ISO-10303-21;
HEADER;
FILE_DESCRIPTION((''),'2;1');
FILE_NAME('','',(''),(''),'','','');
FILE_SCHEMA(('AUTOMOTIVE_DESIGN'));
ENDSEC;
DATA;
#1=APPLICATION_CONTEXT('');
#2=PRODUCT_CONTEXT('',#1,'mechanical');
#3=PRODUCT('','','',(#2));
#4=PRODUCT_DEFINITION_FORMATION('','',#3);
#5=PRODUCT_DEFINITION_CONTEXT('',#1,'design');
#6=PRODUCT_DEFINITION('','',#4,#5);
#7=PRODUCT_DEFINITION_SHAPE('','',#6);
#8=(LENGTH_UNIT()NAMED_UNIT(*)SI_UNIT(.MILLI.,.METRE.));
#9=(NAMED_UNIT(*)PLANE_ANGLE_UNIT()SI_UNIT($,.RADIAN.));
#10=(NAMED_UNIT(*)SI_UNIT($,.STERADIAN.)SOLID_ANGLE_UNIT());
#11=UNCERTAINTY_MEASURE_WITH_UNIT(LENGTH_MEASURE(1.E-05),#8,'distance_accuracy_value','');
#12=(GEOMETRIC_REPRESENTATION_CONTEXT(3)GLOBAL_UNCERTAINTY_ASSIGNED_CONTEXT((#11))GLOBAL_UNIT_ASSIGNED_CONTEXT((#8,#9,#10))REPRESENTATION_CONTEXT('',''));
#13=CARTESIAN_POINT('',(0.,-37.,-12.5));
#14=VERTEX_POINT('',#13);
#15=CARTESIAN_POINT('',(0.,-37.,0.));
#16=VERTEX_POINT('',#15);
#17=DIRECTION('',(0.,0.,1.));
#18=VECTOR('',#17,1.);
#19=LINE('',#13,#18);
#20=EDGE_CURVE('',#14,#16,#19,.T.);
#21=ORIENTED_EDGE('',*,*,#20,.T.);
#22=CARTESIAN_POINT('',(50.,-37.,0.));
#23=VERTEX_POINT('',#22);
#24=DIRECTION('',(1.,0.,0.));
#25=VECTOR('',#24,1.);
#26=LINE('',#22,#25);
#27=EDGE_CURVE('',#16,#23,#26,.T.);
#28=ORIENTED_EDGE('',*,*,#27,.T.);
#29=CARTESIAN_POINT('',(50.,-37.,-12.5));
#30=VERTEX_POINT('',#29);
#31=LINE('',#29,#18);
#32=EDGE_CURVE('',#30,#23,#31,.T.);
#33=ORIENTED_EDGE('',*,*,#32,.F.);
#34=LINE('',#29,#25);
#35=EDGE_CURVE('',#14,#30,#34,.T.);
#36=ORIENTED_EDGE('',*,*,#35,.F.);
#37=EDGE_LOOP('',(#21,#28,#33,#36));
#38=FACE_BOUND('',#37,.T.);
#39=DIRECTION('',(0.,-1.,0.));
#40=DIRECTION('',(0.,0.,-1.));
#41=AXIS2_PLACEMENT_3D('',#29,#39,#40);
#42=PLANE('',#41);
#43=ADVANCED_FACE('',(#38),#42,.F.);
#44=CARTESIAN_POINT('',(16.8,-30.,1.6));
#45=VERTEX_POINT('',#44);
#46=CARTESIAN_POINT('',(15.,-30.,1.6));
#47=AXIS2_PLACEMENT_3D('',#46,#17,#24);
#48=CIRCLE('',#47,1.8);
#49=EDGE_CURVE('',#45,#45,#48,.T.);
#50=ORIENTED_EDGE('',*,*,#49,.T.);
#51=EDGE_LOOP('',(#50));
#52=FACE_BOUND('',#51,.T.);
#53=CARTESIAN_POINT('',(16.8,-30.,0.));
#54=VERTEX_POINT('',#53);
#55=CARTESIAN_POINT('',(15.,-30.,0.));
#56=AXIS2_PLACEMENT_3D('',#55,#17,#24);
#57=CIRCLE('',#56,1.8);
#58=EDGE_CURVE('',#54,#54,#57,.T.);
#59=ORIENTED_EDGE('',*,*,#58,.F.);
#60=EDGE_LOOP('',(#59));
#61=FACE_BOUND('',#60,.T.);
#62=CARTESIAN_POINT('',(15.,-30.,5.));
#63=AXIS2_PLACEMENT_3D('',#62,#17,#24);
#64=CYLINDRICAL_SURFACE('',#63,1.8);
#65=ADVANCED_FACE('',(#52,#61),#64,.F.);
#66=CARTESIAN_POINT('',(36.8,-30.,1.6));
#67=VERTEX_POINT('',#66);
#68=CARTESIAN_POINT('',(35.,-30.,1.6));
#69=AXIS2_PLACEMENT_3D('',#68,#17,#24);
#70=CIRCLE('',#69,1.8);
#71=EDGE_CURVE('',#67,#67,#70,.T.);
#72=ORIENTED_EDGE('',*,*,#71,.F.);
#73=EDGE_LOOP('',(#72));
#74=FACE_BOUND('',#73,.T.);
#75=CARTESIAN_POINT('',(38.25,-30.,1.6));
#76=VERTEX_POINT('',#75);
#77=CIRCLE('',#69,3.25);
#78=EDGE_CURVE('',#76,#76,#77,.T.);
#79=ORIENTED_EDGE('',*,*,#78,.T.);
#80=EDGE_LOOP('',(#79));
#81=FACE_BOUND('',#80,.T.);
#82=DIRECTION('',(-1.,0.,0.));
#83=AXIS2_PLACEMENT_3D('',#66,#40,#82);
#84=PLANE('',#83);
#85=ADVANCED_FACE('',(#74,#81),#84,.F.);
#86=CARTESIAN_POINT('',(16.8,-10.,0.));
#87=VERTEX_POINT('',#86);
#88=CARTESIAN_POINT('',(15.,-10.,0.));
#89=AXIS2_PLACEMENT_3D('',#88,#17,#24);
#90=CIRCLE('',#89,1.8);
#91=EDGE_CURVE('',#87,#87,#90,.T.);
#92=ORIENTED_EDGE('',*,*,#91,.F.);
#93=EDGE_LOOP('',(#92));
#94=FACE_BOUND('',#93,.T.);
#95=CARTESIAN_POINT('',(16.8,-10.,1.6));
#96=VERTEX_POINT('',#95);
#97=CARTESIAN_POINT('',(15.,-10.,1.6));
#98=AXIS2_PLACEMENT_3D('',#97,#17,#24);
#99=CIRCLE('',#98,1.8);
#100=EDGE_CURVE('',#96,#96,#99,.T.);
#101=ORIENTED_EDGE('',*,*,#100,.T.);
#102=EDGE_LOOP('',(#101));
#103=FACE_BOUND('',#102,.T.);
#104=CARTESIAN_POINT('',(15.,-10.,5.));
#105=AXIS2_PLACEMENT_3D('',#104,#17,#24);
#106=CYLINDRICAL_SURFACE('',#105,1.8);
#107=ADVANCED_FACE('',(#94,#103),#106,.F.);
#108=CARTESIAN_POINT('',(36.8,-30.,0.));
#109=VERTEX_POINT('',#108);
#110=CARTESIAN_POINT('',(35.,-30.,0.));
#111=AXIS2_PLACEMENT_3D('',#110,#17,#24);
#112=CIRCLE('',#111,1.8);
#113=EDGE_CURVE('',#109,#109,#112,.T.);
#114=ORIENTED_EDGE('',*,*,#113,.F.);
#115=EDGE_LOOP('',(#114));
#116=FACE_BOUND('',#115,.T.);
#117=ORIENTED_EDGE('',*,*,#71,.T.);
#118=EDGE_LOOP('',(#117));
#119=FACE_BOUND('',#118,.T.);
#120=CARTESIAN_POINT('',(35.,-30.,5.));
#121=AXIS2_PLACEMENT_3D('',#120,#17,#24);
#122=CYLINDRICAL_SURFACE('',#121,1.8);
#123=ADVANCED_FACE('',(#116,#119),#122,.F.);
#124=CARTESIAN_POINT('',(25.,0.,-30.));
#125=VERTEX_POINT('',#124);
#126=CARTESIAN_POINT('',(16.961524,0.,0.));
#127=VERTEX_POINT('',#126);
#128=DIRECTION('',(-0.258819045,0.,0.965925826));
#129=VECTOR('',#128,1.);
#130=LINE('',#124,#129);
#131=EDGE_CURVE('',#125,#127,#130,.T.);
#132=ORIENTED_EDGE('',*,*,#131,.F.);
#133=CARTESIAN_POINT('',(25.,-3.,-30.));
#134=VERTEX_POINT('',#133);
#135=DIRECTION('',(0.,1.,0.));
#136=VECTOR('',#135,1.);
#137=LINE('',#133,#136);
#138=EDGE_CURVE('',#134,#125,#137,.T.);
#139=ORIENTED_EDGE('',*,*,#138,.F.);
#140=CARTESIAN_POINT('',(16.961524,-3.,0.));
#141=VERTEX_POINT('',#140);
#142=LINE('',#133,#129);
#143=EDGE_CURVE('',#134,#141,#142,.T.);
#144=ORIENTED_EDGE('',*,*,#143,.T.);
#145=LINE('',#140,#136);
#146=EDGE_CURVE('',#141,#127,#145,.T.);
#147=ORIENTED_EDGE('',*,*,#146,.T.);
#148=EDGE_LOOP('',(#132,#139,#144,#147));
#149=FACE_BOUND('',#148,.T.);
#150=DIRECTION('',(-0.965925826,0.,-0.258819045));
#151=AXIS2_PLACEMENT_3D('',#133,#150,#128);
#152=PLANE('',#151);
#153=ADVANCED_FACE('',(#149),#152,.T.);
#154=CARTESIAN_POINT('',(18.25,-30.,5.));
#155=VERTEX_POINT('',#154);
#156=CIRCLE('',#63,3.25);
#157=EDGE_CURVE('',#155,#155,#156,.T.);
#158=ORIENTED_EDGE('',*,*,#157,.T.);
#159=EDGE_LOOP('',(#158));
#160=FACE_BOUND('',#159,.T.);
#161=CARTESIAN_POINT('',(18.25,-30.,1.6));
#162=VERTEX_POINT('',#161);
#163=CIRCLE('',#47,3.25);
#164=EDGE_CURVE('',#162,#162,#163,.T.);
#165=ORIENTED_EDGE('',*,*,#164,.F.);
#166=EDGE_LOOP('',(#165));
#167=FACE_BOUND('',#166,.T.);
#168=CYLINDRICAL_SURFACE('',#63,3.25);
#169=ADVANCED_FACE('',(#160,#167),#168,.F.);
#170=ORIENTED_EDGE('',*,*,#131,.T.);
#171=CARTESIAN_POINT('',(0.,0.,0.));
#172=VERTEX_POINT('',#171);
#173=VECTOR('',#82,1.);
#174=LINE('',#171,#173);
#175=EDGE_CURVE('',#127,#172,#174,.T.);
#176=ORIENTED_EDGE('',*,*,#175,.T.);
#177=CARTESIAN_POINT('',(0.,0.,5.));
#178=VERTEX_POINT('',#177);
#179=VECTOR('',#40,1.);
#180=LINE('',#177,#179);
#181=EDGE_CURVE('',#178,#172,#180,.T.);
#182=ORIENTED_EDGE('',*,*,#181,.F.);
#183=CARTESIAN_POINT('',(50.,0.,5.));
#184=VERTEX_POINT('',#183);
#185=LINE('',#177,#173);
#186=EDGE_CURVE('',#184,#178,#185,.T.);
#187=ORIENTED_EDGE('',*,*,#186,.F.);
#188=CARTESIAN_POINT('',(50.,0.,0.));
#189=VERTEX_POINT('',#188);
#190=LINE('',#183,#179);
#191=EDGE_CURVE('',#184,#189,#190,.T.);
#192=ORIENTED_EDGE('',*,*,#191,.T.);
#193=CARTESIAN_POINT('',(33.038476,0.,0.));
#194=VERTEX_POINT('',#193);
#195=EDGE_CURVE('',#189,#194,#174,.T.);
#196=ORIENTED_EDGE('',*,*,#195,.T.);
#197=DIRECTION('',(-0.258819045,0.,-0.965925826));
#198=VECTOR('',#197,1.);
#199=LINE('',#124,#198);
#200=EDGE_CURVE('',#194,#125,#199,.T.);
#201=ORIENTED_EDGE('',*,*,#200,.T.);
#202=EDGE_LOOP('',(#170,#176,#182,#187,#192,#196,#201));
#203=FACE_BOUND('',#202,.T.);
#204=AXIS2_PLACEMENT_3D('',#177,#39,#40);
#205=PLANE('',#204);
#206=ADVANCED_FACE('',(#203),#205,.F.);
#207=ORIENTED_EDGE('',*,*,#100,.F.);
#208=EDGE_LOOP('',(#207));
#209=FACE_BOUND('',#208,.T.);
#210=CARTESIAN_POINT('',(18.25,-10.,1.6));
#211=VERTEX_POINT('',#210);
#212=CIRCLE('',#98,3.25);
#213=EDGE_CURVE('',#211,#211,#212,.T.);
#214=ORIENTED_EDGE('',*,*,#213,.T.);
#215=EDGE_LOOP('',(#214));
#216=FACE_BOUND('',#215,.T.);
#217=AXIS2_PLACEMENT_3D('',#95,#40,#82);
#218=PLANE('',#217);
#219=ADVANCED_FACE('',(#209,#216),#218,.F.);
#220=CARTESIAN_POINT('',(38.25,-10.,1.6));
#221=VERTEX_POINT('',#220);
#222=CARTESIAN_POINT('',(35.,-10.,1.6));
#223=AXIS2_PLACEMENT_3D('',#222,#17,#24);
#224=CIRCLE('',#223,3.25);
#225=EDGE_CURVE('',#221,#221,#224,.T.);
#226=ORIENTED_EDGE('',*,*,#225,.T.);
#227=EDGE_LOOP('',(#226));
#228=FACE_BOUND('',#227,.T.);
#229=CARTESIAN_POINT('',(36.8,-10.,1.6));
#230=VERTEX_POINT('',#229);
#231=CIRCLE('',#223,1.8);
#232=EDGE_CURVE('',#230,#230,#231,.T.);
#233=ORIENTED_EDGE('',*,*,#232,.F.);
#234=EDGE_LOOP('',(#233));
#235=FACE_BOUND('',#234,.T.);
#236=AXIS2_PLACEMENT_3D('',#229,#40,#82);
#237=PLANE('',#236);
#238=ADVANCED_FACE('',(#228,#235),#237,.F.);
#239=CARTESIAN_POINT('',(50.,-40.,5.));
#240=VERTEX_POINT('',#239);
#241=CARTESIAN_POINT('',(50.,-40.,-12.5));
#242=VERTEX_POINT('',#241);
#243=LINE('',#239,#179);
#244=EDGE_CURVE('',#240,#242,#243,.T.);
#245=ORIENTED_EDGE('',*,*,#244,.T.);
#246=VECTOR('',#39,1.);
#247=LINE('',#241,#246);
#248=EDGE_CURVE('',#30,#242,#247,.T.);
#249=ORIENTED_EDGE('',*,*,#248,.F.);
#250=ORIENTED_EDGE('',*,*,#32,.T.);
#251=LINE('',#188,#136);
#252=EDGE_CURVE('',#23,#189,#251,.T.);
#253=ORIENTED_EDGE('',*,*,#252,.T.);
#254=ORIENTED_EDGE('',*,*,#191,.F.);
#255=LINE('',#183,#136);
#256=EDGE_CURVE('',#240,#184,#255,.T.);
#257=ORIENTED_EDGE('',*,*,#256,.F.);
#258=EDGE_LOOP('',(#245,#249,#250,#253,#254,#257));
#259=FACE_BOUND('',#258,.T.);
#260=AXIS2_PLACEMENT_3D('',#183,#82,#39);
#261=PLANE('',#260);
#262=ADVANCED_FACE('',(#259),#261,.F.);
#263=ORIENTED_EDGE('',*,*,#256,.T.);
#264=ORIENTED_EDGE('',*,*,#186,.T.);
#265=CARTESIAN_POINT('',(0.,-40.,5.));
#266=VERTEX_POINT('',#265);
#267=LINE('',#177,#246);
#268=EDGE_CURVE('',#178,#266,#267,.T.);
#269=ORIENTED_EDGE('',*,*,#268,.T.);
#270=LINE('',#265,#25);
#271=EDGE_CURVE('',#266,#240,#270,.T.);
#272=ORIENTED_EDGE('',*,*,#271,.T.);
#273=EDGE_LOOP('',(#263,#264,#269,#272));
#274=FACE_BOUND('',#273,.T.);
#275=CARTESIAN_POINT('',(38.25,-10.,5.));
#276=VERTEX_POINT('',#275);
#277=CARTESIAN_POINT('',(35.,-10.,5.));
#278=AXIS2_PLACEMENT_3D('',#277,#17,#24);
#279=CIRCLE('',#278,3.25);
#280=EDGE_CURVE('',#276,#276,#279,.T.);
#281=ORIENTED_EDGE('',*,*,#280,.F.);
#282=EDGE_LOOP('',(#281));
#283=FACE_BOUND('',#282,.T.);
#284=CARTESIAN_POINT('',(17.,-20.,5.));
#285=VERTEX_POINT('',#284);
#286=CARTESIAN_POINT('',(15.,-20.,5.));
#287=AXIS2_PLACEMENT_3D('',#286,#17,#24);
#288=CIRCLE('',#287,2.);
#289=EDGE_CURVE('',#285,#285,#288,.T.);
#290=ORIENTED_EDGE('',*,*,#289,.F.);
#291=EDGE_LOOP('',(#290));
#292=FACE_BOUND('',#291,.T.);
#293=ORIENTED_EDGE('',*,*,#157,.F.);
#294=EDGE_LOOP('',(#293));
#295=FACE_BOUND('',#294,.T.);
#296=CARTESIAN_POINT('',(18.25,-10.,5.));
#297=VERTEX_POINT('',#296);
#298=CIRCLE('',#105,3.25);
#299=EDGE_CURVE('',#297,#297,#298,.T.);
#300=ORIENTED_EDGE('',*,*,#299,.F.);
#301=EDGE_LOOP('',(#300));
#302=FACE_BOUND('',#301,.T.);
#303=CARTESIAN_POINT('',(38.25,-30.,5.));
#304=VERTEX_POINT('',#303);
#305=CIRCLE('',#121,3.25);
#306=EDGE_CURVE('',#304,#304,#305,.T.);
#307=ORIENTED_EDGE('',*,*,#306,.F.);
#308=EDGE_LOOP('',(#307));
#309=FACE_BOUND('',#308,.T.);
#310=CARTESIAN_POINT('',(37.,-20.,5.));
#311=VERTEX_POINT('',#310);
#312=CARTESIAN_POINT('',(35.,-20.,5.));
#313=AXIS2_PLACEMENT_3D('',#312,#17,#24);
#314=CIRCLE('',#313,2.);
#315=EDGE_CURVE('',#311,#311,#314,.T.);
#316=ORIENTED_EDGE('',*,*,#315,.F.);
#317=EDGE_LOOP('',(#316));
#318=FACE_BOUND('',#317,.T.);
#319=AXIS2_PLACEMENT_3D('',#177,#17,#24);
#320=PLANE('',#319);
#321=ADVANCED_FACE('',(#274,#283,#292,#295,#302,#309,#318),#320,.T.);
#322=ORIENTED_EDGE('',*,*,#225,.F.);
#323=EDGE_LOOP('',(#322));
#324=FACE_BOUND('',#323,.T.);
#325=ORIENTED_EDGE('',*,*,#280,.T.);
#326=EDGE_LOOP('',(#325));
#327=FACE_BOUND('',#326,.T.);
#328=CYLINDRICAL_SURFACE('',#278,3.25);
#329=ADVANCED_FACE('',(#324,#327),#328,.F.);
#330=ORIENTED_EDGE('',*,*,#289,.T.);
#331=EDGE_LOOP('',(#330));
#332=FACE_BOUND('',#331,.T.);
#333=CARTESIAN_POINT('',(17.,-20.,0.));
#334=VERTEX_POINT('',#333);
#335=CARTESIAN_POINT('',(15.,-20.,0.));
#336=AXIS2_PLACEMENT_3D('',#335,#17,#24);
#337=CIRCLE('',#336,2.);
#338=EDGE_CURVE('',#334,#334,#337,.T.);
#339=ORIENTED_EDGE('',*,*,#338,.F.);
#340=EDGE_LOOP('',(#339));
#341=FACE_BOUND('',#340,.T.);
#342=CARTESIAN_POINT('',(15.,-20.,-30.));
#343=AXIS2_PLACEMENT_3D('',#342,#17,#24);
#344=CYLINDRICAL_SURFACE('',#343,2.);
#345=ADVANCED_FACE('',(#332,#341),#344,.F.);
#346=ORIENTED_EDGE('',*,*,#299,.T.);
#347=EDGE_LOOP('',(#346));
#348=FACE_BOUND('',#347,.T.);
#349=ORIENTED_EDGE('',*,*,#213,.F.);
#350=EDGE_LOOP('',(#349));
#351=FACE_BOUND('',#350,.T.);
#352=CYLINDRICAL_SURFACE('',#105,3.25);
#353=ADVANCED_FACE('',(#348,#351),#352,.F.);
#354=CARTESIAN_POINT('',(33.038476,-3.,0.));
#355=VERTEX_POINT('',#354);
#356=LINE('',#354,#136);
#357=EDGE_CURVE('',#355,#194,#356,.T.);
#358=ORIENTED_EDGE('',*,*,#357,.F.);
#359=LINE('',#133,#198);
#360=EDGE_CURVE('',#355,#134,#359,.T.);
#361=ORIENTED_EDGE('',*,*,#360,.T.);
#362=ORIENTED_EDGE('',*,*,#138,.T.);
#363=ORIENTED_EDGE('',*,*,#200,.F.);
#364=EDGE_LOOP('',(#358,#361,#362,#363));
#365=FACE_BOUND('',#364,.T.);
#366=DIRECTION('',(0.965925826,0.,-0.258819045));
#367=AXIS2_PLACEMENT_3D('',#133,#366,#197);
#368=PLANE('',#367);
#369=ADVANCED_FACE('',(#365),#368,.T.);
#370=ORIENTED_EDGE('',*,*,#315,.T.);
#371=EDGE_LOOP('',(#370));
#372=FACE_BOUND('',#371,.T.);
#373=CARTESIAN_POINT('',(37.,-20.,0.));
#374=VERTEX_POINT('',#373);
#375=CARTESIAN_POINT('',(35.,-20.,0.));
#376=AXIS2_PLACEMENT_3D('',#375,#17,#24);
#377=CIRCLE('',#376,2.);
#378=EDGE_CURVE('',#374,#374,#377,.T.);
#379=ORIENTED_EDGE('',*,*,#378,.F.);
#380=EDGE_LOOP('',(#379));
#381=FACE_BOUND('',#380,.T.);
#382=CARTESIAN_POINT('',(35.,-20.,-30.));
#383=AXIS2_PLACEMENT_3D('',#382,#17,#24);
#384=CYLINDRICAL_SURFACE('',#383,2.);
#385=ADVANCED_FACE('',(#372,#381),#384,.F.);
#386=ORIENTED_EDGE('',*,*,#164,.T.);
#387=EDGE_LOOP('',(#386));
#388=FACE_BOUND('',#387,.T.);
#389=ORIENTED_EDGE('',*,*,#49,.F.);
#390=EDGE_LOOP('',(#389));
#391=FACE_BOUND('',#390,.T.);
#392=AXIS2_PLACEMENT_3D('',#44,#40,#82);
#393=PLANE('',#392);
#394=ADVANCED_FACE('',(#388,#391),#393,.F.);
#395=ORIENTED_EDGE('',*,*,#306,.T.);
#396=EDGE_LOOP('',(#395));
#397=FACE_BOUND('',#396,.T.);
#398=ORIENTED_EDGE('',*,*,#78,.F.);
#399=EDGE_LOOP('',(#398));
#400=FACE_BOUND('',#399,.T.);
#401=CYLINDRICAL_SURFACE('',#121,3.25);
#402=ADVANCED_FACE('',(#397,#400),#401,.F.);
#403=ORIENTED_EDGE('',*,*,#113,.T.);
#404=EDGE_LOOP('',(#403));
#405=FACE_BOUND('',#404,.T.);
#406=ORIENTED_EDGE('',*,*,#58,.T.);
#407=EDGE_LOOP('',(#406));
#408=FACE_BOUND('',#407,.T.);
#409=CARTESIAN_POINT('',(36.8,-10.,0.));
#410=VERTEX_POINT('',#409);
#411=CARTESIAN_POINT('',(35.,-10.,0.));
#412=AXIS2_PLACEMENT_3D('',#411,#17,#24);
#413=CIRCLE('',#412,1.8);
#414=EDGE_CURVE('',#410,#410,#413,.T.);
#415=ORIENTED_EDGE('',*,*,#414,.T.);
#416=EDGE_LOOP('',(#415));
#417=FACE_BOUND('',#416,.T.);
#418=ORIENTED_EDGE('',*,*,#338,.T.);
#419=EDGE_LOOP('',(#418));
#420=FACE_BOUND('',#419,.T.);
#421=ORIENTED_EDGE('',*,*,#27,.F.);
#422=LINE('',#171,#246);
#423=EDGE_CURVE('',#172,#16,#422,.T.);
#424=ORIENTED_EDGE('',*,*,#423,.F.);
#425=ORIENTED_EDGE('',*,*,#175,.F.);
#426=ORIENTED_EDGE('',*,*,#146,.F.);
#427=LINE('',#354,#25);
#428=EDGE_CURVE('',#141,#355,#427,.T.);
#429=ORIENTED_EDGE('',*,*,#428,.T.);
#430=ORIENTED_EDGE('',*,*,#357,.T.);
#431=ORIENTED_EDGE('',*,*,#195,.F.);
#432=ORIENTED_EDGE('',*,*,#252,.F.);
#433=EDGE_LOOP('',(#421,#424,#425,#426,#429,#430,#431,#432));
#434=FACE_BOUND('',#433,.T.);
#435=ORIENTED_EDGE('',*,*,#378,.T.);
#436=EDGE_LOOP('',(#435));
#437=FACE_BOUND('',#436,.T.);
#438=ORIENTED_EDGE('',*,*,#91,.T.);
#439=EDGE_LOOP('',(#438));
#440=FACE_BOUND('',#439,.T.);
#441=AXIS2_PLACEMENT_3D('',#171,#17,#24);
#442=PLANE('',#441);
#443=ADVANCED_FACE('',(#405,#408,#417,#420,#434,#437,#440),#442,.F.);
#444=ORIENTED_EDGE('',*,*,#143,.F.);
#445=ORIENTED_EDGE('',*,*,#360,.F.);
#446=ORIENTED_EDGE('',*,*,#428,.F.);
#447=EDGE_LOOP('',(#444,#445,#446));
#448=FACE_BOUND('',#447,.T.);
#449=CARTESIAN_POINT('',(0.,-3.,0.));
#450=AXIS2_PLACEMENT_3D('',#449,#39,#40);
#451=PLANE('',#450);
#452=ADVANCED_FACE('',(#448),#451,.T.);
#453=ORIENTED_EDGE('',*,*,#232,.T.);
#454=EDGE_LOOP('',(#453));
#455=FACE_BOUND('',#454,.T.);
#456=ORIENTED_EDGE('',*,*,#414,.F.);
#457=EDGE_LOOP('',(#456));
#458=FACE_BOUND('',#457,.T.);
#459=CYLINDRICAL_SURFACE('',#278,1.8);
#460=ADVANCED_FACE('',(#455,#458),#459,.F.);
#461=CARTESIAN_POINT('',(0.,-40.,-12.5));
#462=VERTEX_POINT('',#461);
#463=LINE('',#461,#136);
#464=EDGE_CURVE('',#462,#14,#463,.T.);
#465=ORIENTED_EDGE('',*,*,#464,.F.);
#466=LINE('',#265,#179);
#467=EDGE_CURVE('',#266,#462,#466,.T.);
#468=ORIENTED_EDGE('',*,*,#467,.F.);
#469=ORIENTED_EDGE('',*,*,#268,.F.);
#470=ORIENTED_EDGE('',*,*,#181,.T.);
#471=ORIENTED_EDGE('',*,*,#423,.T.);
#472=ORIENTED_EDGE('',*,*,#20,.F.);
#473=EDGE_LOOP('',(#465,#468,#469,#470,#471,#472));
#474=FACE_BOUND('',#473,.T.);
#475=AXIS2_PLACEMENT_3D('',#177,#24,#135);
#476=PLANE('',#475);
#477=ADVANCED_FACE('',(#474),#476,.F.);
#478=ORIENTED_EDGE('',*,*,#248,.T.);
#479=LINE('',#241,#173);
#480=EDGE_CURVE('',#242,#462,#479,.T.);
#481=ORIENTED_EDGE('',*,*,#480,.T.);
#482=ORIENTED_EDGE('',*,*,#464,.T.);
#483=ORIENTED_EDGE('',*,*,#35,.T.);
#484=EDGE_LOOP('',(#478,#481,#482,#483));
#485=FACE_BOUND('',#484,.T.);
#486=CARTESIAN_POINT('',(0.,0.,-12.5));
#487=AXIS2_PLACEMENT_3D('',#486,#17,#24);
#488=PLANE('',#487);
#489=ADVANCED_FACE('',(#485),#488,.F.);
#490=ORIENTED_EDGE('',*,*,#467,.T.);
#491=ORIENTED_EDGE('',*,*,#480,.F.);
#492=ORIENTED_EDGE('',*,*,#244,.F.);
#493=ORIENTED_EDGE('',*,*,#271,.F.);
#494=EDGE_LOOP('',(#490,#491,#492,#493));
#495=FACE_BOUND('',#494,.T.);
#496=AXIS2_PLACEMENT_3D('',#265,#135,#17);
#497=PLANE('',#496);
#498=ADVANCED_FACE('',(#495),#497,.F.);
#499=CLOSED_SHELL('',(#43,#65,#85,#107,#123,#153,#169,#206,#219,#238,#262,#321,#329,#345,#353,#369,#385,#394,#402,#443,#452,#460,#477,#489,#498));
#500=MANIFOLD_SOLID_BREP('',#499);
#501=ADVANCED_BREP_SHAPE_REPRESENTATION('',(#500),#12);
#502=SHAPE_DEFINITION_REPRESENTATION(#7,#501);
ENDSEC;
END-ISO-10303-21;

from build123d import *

# Parameters (mm, degrees)
SKIZZE1_W                                            = 50
SKIZZE1_H                                            = 40
AUFSATZ_LINEAR_AUSTRAGEN1_DEPTH                      = 5
AUFSATZ_LINEAR_AUSTRAGEN2_DEPTH                      = 3
STIRNSENKUNG_F_R_M3_ZYLINDERSCHRAUBE_MIT_D           = 3.6
STIRNSENKUNG_F_R_M3_ZYLINDERSCHRAUBE_MIT_DEPTH       = 5
STIRNSENKUNG_F_R_M3_ZYLINDERSCHRAUBE_MIT_CBORE_D     = 6.5
STIRNSENKUNG_F_R_M3_ZYLINDERSCHRAUBE_MIT_CBORE_DEPTH = 3.4
SKIZZE6_R                                            = 2
SCHNITT_LINEAR_AUSTRAGEN1_DEPTH                      = 36
SKIZZE7_W                                            = 50
SKIZZE7_H                                            = 3
AUFSATZ_LINEAR_AUSTRAGEN3_DEPTH                      = 12.5


with BuildPart() as part:
    # Skizze1 → Aufsatz-Linear austragen1 (new body)
    with BuildSketch(Plane.XY):
        with Locations((25, -20)):
            Rectangle(SKIZZE1_W, SKIZZE1_H)
    extrude(amount=AUFSATZ_LINEAR_AUSTRAGEN1_DEPTH)

    # Skizze2 → Aufsatz-Linear austragen2 (add)
    with BuildSketch(Plane(origin=(0, 0, 0), x_dir=(1, 0, 0), z_dir=(0, 1, 0))):
        Polygon((25, 30), (16.961524227, 0), (33.038475773, 0), align=None)
    extrude(amount=-AUFSATZ_LINEAR_AUSTRAGEN2_DEPTH)

    # Stirnsenkung für M3 Zylinderschraube mit Innensechskant1
    with Locations(Plane.XY.offset(5)):
        with Locations((15, -10), (35, -10), (35, -30), (15, -30)):
            CounterBoreHole(STIRNSENKUNG_F_R_M3_ZYLINDERSCHRAUBE_MIT_D / 2, STIRNSENKUNG_F_R_M3_ZYLINDERSCHRAUBE_MIT_CBORE_D / 2, STIRNSENKUNG_F_R_M3_ZYLINDERSCHRAUBE_MIT_CBORE_DEPTH, depth=STIRNSENKUNG_F_R_M3_ZYLINDERSCHRAUBE_MIT_DEPTH)

    # Skizze6 → Schnitt-Linear austragen1 (cut, through all)
    with BuildSketch(Plane.XY.offset(5)):
        with Locations((15, -20)):
            Circle(SKIZZE6_R)
        with Locations((35, -20)):
            Circle(SKIZZE6_R)
    extrude(amount=-SCHNITT_LINEAR_AUSTRAGEN1_DEPTH, mode=Mode.SUBTRACT)

    # Skizze7 → Aufsatz-Linear austragen3 (add)
    with BuildSketch(Plane(origin=(0, 0, 0), x_dir=(-1, 0, 0), z_dir=(0, 0, -1))):
        with Locations((-25, -38.5)):
            Rectangle(SKIZZE7_W, SKIZZE7_H)
    extrude(amount=AUFSATZ_LINEAR_AUSTRAGEN3_DEPTH)


solid = part.part
